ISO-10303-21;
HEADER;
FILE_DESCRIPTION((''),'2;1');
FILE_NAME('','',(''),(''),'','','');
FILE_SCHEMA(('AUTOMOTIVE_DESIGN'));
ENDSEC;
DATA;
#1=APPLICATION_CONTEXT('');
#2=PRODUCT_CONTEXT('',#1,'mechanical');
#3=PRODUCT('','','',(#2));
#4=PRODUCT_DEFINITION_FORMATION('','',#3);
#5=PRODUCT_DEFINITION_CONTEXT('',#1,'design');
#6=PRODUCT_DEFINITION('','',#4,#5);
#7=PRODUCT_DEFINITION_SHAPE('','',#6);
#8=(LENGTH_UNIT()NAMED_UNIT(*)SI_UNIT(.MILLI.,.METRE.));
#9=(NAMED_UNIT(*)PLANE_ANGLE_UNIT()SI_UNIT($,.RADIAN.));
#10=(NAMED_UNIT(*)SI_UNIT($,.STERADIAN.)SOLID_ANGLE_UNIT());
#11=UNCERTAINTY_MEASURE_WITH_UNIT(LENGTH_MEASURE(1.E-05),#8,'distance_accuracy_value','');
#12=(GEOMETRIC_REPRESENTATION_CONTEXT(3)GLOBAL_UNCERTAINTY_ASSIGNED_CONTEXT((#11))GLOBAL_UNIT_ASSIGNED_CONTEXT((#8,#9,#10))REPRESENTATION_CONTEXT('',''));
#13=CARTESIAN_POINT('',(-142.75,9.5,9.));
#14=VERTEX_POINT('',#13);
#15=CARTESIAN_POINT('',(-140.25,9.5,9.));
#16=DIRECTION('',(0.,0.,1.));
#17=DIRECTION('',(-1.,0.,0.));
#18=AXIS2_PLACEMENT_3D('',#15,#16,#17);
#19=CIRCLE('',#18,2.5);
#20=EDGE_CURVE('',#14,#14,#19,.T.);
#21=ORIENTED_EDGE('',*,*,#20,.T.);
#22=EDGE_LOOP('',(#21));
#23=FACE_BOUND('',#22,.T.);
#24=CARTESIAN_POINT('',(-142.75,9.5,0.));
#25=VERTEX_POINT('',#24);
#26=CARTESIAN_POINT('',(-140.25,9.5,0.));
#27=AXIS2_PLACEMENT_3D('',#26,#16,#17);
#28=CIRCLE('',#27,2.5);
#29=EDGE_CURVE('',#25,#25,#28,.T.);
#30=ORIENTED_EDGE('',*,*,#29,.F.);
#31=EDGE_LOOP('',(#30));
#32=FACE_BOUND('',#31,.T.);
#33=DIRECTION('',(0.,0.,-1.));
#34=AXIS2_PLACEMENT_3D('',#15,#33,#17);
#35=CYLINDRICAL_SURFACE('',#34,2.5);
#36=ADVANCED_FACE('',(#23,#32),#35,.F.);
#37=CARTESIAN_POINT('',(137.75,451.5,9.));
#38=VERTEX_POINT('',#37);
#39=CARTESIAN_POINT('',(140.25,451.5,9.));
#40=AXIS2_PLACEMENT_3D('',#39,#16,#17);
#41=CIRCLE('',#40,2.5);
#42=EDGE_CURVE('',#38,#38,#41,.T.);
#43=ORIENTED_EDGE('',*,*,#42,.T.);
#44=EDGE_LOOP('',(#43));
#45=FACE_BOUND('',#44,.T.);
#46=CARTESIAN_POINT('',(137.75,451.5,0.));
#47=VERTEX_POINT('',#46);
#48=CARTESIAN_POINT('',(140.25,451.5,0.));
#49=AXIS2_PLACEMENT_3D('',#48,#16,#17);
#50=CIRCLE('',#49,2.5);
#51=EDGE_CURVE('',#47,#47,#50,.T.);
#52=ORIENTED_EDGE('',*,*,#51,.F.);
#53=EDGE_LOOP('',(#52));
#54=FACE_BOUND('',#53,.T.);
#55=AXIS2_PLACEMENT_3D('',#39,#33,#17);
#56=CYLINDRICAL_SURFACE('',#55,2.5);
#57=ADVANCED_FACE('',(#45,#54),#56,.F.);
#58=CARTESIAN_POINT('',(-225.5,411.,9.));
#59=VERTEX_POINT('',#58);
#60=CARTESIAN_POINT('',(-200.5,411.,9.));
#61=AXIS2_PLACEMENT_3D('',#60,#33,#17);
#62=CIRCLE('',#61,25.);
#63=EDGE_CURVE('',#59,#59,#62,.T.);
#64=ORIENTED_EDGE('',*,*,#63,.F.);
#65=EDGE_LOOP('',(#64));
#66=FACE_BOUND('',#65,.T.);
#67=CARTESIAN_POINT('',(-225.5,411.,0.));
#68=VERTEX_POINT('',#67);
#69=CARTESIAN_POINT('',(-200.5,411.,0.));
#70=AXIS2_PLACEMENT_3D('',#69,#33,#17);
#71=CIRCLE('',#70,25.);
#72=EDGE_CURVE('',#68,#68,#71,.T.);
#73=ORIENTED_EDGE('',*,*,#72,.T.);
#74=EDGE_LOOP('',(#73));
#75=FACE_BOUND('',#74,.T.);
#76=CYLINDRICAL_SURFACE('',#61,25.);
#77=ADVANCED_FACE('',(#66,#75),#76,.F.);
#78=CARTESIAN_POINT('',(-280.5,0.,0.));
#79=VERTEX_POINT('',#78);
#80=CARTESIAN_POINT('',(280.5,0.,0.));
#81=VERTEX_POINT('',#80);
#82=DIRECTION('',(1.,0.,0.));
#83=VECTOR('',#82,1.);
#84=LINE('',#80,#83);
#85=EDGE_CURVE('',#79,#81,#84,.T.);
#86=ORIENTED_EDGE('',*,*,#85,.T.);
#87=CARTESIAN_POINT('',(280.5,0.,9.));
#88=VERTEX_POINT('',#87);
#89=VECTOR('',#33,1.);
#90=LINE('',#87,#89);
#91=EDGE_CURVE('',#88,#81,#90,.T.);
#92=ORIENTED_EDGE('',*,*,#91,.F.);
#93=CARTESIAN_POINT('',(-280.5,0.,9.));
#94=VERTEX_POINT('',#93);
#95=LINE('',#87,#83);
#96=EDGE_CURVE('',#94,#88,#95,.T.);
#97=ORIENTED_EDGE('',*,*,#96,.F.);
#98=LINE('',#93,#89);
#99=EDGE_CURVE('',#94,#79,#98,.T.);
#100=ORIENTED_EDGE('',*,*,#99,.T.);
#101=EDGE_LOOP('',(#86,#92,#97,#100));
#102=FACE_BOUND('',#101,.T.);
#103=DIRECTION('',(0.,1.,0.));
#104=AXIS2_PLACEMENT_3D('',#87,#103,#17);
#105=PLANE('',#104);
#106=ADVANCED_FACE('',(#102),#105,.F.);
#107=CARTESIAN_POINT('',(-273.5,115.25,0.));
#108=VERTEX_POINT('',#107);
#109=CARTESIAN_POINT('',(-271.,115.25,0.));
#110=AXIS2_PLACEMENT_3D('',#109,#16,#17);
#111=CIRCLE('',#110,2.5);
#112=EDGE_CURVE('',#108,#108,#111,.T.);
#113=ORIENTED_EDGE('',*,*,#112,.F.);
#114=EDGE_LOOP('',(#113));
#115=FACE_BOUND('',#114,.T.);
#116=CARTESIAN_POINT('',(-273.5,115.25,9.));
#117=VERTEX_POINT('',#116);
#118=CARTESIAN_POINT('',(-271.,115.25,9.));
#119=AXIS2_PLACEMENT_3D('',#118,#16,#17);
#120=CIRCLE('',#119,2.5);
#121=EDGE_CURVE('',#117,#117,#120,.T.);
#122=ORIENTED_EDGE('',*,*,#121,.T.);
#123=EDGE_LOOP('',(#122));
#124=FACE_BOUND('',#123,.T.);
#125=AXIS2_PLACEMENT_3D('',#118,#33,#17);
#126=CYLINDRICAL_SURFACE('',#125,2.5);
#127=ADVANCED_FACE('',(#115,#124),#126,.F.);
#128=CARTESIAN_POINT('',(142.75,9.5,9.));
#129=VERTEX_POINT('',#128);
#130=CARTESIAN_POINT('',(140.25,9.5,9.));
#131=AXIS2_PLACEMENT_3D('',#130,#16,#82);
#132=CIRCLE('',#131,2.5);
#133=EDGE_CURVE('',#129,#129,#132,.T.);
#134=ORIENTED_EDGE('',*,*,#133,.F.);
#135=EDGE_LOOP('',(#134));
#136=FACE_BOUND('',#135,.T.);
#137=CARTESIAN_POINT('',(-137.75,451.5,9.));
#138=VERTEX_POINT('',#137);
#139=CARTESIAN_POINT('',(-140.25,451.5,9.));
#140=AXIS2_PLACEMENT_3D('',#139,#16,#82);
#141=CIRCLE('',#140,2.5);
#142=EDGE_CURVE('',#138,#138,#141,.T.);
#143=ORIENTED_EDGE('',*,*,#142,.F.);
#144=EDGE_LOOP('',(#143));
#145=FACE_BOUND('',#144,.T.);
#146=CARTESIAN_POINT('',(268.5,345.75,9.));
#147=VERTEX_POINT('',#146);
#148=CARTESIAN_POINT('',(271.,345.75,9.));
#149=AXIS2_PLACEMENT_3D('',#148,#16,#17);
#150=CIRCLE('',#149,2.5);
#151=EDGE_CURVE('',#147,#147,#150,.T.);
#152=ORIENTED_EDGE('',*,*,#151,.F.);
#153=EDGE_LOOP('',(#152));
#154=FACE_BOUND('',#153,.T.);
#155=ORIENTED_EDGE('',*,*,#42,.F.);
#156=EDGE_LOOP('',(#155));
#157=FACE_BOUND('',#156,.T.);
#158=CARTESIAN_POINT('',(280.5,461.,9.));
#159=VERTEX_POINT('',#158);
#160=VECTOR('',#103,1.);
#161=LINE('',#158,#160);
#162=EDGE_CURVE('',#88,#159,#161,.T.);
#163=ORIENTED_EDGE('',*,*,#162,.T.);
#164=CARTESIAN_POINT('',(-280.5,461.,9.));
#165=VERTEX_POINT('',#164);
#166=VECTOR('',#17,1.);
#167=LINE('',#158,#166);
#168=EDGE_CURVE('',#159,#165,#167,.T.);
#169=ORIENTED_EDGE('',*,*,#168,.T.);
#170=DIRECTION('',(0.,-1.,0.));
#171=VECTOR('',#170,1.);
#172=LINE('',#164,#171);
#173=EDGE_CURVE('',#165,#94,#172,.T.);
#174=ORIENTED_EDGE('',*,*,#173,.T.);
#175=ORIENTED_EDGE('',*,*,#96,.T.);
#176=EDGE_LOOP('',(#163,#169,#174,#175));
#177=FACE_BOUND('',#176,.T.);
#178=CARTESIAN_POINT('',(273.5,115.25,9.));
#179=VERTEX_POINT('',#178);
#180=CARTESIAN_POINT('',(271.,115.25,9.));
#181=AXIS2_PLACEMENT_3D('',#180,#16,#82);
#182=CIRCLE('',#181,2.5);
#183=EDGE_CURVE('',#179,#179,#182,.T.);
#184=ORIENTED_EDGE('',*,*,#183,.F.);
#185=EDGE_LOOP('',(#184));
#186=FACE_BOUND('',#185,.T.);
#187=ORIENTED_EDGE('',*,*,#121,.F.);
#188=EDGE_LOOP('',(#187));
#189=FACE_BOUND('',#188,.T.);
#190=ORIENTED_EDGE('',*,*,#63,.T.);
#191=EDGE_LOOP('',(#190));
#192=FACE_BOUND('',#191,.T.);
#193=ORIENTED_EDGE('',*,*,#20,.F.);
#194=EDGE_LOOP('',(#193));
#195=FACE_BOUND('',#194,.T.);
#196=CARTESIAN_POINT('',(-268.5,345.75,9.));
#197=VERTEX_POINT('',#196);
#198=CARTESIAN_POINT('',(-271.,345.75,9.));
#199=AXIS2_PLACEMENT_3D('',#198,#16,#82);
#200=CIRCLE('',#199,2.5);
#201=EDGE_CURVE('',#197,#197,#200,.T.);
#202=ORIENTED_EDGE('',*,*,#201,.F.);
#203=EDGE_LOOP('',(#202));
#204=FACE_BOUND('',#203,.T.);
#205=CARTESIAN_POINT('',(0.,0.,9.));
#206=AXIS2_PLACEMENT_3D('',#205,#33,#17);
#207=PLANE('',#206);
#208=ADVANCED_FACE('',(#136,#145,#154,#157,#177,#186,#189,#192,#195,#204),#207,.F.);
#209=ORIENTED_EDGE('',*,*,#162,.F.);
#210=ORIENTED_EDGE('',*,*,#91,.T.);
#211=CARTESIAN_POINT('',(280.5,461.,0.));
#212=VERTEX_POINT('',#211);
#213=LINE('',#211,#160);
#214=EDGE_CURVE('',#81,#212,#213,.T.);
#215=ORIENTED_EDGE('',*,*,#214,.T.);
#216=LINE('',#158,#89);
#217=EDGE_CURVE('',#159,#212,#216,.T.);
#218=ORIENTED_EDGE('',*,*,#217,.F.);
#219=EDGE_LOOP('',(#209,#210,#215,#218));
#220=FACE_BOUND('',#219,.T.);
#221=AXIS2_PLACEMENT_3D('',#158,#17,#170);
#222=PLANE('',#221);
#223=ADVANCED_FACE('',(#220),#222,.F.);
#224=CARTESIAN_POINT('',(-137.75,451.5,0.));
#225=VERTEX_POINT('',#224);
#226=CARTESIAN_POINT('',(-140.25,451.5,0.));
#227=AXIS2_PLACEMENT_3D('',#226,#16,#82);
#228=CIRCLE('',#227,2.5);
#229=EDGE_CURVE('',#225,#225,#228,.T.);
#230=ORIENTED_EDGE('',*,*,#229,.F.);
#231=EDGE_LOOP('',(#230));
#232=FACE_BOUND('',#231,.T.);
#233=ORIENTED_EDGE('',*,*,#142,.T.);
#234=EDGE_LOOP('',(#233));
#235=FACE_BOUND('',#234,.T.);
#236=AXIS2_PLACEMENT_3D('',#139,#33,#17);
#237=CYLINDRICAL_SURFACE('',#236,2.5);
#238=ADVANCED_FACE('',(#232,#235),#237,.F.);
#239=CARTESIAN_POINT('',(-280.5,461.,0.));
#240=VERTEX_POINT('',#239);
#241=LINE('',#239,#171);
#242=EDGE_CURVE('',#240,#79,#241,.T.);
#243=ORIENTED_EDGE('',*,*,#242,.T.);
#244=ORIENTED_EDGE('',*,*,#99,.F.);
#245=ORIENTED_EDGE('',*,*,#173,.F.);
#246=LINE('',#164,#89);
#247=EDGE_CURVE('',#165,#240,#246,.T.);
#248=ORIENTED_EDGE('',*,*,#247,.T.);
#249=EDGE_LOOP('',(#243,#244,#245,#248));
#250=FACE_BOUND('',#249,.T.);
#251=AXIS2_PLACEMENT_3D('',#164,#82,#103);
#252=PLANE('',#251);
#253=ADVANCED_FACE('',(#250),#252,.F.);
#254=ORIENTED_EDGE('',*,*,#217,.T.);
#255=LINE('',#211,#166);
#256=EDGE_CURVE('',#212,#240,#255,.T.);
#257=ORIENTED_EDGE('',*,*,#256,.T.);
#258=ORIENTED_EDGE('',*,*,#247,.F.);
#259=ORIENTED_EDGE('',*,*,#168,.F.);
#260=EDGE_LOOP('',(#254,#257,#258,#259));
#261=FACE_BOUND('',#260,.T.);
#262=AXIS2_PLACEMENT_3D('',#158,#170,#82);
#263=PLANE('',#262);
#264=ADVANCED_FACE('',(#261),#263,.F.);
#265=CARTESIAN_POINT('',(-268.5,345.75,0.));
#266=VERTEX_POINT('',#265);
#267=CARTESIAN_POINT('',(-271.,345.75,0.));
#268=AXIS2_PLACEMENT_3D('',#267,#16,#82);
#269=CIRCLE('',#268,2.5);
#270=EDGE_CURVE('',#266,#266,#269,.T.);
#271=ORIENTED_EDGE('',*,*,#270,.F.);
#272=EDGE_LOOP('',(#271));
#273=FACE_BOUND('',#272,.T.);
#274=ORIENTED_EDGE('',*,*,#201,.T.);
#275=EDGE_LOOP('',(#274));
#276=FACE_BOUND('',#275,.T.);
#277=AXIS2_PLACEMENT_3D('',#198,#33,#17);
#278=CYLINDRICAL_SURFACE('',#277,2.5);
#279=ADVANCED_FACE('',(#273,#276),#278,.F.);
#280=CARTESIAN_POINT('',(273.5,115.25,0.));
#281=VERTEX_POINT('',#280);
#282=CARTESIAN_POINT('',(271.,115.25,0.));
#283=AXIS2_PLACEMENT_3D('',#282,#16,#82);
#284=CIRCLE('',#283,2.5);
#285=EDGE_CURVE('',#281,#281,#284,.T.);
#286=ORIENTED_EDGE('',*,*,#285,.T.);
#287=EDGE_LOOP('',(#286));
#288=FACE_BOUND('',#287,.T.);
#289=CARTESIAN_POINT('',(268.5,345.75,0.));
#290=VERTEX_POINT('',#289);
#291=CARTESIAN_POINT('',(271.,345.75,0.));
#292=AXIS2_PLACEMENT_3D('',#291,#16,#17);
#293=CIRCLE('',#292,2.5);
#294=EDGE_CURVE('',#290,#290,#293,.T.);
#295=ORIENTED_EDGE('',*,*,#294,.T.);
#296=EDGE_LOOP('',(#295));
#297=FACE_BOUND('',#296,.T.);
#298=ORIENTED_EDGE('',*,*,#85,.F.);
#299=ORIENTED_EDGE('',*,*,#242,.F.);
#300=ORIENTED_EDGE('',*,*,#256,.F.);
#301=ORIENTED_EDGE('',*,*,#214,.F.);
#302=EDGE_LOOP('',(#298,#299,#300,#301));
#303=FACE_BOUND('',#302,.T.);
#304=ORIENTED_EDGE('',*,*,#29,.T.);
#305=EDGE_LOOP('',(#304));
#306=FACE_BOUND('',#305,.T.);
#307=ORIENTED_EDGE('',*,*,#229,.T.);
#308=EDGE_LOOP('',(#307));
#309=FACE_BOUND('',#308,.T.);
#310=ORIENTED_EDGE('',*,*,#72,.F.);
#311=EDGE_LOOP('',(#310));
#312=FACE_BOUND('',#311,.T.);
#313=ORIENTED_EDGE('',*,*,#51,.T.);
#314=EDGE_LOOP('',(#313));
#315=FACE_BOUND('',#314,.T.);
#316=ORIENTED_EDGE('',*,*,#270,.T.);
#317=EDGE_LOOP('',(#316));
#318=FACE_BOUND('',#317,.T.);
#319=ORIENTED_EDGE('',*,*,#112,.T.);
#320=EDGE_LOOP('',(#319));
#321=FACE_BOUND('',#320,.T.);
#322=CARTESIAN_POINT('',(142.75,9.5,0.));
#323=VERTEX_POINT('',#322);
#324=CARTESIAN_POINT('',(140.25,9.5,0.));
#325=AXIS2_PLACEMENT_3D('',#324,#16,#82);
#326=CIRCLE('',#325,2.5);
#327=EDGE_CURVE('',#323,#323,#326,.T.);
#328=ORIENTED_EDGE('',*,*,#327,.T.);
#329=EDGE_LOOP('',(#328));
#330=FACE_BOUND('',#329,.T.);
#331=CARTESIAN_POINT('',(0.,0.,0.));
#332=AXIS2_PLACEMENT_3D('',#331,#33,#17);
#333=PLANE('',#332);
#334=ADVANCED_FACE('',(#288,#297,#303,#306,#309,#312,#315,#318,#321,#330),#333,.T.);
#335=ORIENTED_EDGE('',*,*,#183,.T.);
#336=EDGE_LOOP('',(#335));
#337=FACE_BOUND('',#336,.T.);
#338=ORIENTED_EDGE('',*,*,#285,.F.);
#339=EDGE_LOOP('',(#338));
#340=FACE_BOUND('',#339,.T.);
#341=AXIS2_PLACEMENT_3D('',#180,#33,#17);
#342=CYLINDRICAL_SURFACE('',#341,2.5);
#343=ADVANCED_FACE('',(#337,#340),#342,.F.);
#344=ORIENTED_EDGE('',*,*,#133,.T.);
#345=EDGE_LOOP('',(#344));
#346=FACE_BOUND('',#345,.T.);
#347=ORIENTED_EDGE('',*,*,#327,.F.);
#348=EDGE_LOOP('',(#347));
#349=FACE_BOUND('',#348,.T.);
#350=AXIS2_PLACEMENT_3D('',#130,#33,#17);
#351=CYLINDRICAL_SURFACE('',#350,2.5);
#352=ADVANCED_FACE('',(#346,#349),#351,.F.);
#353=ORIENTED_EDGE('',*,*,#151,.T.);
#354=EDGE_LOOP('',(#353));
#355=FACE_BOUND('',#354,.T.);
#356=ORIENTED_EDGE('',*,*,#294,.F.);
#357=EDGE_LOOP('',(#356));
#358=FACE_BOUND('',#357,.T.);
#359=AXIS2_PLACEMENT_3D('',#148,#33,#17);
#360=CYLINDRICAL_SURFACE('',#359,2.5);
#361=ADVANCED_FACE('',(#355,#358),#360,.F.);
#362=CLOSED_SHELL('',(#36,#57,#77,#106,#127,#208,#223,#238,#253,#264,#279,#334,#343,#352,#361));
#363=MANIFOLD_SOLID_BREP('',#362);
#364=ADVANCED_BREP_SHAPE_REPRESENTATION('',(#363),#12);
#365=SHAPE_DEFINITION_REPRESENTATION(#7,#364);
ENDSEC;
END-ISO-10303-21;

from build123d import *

# Parameters (mm, degrees)
SKETCH_1_W               = 561
SKETCH_1_H               = 461
SKETCH_1_R               = 2.5
EXTRUDE_1_DEPTH          = 9
CUT_EXTRUDE_1_DEPTH      = 540.705706844
CUT_EXTRUDE_1_DEPTH_BACK = 540.705706844
SKETCH_2_R               = 25


with BuildPart() as part:
    # 草图1 → 凸台-拉伸1 (new body)
    with BuildSketch(Plane.XY):
        with Locations((0, 230.5)):
            Rectangle(SKETCH_1_W, SKETCH_1_H)
        with Locations((-140.25, 451.5)):
            Circle(SKETCH_1_R, mode=Mode.SUBTRACT)
        with Locations((-271, 345.75)):
            Circle(SKETCH_1_R, mode=Mode.SUBTRACT)
        with Locations(Location((271, 345.75, 0), (0, 0, 180))):
            Circle(SKETCH_1_R, mode=Mode.SUBTRACT)
        with Locations(Location((140.25, 451.5, 0), (0, 0, 180))):
            Circle(SKETCH_1_R, mode=Mode.SUBTRACT)
        with Locations((271, 115.25)):
            Circle(SKETCH_1_R, mode=Mode.SUBTRACT)
        with Locations((140.25, 9.5)):
            Circle(SKETCH_1_R, mode=Mode.SUBTRACT)
        with Locations(Location((-271, 115.25, 0), (0, 0, 180))):
            Circle(SKETCH_1_R, mode=Mode.SUBTRACT)
        with Locations(Location((-140.25, 9.5, 0), (0, 0, 180))):
            Circle(SKETCH_1_R, mode=Mode.SUBTRACT)
    extrude(amount=EXTRUDE_1_DEPTH)

    # 草图2 → 切除-拉伸1 (cut, two sides: drawn at the far end of the back side and taken through both)
    with BuildSketch(Plane(origin=(0, 0, 0), x_dir=(-1, 0, 0), z_dir=(0, 0, -1)).offset(-CUT_EXTRUDE_1_DEPTH_BACK)):
        with Locations((200.5, 411)):
            Circle(SKETCH_2_R)
    extrude(amount=CUT_EXTRUDE_1_DEPTH + CUT_EXTRUDE_1_DEPTH_BACK, mode=Mode.SUBTRACT)


solid = part.part
